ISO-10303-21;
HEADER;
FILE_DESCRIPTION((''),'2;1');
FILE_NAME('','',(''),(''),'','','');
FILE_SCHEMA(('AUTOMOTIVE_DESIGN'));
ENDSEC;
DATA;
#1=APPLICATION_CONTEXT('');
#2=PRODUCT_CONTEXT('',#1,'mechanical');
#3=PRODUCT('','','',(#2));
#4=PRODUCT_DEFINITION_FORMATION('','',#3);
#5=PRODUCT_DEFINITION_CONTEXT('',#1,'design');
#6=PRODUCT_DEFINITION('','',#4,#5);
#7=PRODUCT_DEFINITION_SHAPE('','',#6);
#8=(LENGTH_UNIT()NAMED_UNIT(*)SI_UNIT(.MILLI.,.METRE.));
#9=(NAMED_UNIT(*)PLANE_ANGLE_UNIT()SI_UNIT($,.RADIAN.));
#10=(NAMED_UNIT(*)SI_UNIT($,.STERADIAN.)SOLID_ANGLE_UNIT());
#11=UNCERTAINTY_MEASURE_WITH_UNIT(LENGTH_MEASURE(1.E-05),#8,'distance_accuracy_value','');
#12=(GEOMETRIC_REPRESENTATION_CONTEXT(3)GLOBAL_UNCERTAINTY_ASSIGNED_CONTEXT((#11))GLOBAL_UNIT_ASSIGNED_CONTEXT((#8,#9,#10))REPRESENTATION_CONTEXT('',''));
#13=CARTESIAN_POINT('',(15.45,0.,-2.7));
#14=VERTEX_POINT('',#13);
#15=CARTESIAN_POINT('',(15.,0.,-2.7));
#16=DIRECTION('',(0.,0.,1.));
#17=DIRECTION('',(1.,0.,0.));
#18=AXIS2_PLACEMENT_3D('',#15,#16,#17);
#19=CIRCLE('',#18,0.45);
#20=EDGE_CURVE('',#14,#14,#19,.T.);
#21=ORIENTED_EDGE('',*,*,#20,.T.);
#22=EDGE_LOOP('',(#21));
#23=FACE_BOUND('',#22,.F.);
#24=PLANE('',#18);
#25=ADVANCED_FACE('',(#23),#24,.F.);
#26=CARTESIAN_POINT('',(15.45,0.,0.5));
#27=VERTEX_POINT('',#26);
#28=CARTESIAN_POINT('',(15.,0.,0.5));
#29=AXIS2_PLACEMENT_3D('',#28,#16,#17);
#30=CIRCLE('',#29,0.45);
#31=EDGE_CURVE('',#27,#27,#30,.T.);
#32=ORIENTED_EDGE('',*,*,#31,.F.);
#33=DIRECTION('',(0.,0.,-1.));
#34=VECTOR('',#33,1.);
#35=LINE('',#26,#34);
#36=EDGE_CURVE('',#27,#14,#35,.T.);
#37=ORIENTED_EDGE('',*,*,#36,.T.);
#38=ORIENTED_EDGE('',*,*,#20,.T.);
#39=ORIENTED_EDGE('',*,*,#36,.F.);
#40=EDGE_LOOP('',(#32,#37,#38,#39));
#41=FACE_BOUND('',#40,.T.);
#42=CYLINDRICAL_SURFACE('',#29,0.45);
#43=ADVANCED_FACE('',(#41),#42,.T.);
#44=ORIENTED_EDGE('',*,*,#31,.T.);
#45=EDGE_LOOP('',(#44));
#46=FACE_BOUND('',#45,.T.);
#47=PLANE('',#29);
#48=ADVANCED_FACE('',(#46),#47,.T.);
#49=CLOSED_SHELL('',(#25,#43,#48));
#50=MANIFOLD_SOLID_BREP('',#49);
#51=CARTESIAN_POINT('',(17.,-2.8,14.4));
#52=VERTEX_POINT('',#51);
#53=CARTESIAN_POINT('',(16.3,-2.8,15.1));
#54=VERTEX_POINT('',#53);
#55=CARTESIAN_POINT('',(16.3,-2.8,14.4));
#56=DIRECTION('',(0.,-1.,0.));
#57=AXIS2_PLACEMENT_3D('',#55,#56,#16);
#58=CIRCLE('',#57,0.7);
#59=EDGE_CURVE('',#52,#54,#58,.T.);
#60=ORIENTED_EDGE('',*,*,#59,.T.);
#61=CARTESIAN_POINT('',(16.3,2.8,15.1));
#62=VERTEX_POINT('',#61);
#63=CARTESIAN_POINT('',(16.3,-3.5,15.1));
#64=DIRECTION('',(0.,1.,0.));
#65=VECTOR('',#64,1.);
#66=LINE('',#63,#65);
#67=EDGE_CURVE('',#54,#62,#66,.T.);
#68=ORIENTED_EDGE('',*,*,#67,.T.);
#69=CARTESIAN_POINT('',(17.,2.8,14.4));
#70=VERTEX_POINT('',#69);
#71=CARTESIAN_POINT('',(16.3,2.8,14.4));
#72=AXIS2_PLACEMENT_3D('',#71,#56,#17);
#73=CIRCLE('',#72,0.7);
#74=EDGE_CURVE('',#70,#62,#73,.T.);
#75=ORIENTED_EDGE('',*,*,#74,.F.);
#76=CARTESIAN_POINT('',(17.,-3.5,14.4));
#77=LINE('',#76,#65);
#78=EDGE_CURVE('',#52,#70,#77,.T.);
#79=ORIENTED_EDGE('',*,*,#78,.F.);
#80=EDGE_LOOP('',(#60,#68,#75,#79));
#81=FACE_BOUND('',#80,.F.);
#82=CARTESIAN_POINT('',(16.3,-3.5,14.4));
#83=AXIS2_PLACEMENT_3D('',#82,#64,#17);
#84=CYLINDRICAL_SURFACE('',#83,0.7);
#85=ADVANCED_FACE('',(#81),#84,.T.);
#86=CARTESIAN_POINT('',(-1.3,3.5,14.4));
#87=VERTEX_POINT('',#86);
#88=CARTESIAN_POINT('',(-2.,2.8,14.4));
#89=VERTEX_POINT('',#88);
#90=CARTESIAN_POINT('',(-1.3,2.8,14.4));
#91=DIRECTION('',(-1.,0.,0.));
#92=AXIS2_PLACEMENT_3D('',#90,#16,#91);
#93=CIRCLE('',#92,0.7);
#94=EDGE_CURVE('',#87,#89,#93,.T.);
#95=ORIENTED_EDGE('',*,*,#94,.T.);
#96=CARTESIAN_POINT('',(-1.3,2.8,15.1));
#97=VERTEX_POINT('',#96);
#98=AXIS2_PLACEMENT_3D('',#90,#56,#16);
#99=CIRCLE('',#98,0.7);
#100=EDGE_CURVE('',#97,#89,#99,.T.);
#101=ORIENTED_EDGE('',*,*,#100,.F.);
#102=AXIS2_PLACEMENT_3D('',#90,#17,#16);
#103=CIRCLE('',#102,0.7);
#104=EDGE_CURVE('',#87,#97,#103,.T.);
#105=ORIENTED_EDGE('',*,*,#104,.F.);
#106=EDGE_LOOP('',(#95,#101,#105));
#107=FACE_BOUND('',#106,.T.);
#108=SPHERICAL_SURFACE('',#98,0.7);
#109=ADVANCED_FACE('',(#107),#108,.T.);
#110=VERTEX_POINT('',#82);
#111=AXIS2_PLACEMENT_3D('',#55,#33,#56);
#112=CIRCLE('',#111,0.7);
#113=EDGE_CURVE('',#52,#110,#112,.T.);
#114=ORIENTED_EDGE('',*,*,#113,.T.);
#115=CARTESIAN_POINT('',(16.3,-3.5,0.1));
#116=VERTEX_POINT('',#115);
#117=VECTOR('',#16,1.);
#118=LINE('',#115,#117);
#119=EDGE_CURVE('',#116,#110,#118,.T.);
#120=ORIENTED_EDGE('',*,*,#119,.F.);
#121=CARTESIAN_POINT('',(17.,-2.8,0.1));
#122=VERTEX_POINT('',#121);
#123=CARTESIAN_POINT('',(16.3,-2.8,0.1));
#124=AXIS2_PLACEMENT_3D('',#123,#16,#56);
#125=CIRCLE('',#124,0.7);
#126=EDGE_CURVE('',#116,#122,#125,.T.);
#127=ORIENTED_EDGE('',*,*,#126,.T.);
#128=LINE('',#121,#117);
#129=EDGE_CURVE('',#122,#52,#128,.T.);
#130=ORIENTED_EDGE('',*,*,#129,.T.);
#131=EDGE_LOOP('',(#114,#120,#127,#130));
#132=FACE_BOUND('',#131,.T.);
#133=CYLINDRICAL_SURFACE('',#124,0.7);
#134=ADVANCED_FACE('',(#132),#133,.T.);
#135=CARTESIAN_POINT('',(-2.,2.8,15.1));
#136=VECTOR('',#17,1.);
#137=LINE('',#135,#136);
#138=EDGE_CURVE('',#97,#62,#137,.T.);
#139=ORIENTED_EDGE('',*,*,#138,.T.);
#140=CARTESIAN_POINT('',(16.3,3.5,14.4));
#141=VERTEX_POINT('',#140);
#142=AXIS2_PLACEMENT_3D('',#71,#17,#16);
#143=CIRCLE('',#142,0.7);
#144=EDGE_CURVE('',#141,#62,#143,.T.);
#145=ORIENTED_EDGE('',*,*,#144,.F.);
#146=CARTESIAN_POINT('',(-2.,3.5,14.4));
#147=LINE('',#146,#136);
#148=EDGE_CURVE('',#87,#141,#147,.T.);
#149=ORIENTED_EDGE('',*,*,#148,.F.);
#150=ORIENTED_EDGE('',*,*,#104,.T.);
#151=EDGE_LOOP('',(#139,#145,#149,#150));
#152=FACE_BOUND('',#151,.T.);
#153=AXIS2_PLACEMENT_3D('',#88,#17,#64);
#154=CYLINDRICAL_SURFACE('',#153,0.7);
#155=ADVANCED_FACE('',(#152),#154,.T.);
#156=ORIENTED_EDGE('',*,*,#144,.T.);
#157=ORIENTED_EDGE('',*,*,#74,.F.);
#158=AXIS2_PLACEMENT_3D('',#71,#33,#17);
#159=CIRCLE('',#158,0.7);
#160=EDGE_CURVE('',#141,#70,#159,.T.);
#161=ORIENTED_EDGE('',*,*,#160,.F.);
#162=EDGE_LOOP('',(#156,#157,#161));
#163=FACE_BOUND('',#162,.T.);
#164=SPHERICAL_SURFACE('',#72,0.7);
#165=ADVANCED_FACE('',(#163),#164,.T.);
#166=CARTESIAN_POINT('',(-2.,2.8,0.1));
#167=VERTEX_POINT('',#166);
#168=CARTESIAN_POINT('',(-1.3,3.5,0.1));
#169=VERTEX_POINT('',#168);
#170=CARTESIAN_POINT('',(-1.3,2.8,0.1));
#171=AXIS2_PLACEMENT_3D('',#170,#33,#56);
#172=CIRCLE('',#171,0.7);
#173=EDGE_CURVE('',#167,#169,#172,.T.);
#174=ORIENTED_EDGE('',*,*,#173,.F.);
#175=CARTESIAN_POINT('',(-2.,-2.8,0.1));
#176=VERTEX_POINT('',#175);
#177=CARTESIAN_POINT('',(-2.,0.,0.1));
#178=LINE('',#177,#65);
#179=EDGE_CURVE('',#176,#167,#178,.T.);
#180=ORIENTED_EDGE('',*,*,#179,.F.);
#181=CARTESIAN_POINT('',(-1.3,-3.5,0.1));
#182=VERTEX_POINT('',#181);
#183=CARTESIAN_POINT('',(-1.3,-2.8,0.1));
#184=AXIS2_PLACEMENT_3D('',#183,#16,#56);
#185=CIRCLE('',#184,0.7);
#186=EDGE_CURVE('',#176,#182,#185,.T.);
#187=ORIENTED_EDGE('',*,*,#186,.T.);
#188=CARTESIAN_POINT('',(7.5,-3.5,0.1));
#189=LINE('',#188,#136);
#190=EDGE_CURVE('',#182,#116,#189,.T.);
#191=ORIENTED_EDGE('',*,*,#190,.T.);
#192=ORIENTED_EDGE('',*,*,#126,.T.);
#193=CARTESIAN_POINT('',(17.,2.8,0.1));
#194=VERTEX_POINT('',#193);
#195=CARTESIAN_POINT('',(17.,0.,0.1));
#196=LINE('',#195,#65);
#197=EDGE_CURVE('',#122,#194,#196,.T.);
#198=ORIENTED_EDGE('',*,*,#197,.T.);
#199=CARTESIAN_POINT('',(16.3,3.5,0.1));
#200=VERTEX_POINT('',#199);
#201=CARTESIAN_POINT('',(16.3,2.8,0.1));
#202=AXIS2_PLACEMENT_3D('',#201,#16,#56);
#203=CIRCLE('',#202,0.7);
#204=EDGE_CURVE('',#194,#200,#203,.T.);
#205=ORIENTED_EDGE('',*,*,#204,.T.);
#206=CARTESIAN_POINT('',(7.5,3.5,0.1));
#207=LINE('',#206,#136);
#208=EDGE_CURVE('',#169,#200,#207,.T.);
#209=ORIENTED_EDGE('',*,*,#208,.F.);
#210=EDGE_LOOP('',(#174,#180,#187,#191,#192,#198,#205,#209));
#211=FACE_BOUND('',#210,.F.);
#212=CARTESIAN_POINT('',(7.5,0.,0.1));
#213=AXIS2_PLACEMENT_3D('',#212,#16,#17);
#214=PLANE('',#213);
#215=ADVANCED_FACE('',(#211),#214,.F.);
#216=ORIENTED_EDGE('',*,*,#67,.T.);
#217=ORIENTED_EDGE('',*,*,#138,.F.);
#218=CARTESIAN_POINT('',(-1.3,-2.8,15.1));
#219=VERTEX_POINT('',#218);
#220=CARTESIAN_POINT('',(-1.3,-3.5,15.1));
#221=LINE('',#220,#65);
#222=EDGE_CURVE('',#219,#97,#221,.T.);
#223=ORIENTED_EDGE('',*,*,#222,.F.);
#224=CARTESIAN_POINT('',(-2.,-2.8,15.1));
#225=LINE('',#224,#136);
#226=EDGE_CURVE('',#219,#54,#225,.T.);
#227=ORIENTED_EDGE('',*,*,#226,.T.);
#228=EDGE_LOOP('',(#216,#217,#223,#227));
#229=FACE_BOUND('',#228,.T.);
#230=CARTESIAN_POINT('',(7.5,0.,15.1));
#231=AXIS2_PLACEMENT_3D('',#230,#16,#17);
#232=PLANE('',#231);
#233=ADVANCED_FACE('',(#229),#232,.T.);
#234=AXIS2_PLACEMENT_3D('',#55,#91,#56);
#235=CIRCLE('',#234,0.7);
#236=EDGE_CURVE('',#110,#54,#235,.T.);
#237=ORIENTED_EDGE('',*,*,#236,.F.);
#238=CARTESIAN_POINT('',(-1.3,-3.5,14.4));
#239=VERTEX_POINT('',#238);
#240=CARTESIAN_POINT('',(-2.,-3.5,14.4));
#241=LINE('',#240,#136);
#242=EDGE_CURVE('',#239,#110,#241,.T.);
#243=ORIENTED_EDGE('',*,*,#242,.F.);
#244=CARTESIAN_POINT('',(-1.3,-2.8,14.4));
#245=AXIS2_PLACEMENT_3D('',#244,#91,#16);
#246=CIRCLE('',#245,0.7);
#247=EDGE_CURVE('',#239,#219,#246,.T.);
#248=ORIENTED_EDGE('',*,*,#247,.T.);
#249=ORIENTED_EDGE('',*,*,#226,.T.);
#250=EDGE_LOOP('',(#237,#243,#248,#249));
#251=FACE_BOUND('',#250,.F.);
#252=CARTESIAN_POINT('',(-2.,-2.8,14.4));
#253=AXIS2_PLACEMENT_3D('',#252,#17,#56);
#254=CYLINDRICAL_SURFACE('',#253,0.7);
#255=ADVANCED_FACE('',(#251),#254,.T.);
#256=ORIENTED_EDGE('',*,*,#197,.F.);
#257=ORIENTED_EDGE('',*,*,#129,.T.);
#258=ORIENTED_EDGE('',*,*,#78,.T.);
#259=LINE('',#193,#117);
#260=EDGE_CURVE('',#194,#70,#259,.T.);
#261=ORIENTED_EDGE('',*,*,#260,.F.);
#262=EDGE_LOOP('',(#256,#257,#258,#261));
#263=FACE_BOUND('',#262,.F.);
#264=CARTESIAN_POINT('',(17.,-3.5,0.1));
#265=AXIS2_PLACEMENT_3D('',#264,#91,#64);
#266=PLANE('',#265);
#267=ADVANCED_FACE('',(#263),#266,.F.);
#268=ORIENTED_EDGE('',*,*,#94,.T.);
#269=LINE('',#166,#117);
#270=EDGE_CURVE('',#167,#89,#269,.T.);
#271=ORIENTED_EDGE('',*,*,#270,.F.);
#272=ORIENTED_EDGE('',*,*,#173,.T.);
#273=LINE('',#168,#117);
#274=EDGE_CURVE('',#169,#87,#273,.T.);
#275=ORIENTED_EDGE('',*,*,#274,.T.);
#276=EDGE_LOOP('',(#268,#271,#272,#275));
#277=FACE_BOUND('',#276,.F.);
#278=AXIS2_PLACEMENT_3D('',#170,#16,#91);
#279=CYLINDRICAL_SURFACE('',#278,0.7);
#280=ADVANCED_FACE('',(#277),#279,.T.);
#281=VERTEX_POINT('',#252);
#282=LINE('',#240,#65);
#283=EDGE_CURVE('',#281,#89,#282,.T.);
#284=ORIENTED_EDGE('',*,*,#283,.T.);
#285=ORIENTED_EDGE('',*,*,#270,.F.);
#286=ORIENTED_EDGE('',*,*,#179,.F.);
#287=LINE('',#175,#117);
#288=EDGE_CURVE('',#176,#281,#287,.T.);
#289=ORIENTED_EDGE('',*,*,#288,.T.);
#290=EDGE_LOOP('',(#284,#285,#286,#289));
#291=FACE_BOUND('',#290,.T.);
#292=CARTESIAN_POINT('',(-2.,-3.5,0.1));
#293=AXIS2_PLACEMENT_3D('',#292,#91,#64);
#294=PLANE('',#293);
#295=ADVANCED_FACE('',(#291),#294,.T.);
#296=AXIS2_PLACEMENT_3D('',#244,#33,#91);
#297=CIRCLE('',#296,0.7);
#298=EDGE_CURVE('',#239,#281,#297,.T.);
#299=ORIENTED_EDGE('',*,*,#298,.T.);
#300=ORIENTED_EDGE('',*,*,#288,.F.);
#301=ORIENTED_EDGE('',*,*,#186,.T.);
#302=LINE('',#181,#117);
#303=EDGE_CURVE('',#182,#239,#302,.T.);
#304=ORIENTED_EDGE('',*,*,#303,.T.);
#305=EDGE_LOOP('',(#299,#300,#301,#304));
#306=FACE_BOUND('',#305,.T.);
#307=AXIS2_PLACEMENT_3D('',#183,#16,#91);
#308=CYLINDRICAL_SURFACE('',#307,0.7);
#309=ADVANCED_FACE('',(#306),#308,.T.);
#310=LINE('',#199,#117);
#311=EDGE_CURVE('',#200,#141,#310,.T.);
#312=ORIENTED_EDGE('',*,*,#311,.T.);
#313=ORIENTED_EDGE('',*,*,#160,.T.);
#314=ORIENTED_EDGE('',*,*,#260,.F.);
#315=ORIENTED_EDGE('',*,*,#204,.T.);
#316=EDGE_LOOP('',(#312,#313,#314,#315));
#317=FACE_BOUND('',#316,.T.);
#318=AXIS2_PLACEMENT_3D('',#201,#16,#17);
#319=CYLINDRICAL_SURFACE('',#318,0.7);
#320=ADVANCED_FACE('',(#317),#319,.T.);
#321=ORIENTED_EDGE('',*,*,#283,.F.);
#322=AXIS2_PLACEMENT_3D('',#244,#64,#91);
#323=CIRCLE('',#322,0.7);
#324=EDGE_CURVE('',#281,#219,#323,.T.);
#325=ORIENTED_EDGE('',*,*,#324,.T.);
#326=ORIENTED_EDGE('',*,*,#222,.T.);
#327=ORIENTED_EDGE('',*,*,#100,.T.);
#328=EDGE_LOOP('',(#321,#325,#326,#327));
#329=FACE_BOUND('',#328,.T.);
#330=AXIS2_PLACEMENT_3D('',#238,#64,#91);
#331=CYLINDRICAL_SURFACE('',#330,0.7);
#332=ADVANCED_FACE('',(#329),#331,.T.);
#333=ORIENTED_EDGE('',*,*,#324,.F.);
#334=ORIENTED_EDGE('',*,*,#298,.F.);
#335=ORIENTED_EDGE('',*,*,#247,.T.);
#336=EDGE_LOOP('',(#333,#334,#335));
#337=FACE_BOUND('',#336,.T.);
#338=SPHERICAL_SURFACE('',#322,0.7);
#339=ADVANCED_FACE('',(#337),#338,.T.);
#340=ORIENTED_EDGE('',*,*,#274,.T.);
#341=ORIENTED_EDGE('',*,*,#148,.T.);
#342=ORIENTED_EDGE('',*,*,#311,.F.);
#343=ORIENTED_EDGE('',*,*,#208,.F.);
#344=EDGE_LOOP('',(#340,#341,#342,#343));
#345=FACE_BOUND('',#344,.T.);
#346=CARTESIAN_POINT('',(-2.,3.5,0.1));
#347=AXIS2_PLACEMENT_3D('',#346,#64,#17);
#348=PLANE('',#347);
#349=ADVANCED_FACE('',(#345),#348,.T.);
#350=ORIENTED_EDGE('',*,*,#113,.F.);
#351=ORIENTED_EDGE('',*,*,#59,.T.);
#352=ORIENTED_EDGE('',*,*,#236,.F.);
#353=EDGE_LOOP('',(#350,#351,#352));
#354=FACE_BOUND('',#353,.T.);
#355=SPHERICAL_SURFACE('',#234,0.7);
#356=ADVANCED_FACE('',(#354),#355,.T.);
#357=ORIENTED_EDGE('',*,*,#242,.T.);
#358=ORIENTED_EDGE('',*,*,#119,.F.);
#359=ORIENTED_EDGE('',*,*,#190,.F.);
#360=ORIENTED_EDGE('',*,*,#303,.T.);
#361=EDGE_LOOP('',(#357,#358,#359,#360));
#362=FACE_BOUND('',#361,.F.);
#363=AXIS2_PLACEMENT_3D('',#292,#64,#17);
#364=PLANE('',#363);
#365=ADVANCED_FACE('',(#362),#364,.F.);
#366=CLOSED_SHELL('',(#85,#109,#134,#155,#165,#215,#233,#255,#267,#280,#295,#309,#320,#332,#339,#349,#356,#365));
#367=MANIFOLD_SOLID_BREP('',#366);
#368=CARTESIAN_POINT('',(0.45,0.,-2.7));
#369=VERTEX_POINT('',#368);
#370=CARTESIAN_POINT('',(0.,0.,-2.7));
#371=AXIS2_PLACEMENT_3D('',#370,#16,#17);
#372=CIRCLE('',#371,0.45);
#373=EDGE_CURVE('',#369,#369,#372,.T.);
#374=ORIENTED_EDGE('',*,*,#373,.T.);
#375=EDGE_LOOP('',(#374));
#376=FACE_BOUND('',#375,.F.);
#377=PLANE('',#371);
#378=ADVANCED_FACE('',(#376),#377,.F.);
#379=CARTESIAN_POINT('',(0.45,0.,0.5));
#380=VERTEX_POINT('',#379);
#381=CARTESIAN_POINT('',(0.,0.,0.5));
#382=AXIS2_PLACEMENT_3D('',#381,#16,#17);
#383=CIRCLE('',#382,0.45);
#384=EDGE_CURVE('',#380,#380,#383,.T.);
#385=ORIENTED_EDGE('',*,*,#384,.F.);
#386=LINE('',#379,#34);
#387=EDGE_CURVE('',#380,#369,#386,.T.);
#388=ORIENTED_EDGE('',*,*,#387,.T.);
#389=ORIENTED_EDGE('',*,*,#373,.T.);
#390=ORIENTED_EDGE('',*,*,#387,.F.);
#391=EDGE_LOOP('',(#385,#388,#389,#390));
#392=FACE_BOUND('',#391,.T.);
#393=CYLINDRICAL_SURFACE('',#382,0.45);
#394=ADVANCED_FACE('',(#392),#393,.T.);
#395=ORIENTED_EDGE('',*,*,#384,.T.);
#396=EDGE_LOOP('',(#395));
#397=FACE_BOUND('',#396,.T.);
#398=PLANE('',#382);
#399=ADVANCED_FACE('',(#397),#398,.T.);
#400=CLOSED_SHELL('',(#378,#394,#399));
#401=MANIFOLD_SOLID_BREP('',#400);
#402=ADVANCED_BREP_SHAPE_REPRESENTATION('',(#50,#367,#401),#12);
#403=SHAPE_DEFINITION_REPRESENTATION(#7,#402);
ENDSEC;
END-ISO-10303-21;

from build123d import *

# Parameters (mm, degrees)
SKETCH_W     = 19
SKETCH_H     = 7
PAD_DEPTH    = 15
FILLET_R     = 0.7
SKETCH001_R  = 0.45
PAD001_DEPTH = 3.2


with BuildPart() as fillet_body:
    # Sketch → Pad (new body)
    with BuildSketch(Plane.XY.offset(0.1)):
        with Locations((7.5, 0)):
            Rectangle(SKETCH_W, SKETCH_H)
    extrude(amount=PAD_DEPTH)

    # Fillet
    fillet_edges = [fillet_body.edges().sort_by_distance(p)[0] for p in [
        (-2, 0, 15.1),
        (-2, -3.5, 7.6),
        (7.5, -3.5, 15.1),
        (17, -3.5, 7.6),
        (17, 0, 15.1),
        (17, 3.5, 7.6),
        (7.5, 3.5, 15.1),
        (-2, 3.5, 7.6),
    ]]
    fillet(fillet_edges, radius=FILLET_R)


with BuildPart() as pad001:
    # Sketch001 → Pad001 (new body)
    with BuildSketch(Plane.XY.offset(0.5)):
        Circle(SKETCH001_R)
        with Locations((15, 0)):
            Circle(SKETCH001_R)
    extrude(amount=-PAD001_DEPTH)


solid = Compound([fillet_body.part, pad001.part])
